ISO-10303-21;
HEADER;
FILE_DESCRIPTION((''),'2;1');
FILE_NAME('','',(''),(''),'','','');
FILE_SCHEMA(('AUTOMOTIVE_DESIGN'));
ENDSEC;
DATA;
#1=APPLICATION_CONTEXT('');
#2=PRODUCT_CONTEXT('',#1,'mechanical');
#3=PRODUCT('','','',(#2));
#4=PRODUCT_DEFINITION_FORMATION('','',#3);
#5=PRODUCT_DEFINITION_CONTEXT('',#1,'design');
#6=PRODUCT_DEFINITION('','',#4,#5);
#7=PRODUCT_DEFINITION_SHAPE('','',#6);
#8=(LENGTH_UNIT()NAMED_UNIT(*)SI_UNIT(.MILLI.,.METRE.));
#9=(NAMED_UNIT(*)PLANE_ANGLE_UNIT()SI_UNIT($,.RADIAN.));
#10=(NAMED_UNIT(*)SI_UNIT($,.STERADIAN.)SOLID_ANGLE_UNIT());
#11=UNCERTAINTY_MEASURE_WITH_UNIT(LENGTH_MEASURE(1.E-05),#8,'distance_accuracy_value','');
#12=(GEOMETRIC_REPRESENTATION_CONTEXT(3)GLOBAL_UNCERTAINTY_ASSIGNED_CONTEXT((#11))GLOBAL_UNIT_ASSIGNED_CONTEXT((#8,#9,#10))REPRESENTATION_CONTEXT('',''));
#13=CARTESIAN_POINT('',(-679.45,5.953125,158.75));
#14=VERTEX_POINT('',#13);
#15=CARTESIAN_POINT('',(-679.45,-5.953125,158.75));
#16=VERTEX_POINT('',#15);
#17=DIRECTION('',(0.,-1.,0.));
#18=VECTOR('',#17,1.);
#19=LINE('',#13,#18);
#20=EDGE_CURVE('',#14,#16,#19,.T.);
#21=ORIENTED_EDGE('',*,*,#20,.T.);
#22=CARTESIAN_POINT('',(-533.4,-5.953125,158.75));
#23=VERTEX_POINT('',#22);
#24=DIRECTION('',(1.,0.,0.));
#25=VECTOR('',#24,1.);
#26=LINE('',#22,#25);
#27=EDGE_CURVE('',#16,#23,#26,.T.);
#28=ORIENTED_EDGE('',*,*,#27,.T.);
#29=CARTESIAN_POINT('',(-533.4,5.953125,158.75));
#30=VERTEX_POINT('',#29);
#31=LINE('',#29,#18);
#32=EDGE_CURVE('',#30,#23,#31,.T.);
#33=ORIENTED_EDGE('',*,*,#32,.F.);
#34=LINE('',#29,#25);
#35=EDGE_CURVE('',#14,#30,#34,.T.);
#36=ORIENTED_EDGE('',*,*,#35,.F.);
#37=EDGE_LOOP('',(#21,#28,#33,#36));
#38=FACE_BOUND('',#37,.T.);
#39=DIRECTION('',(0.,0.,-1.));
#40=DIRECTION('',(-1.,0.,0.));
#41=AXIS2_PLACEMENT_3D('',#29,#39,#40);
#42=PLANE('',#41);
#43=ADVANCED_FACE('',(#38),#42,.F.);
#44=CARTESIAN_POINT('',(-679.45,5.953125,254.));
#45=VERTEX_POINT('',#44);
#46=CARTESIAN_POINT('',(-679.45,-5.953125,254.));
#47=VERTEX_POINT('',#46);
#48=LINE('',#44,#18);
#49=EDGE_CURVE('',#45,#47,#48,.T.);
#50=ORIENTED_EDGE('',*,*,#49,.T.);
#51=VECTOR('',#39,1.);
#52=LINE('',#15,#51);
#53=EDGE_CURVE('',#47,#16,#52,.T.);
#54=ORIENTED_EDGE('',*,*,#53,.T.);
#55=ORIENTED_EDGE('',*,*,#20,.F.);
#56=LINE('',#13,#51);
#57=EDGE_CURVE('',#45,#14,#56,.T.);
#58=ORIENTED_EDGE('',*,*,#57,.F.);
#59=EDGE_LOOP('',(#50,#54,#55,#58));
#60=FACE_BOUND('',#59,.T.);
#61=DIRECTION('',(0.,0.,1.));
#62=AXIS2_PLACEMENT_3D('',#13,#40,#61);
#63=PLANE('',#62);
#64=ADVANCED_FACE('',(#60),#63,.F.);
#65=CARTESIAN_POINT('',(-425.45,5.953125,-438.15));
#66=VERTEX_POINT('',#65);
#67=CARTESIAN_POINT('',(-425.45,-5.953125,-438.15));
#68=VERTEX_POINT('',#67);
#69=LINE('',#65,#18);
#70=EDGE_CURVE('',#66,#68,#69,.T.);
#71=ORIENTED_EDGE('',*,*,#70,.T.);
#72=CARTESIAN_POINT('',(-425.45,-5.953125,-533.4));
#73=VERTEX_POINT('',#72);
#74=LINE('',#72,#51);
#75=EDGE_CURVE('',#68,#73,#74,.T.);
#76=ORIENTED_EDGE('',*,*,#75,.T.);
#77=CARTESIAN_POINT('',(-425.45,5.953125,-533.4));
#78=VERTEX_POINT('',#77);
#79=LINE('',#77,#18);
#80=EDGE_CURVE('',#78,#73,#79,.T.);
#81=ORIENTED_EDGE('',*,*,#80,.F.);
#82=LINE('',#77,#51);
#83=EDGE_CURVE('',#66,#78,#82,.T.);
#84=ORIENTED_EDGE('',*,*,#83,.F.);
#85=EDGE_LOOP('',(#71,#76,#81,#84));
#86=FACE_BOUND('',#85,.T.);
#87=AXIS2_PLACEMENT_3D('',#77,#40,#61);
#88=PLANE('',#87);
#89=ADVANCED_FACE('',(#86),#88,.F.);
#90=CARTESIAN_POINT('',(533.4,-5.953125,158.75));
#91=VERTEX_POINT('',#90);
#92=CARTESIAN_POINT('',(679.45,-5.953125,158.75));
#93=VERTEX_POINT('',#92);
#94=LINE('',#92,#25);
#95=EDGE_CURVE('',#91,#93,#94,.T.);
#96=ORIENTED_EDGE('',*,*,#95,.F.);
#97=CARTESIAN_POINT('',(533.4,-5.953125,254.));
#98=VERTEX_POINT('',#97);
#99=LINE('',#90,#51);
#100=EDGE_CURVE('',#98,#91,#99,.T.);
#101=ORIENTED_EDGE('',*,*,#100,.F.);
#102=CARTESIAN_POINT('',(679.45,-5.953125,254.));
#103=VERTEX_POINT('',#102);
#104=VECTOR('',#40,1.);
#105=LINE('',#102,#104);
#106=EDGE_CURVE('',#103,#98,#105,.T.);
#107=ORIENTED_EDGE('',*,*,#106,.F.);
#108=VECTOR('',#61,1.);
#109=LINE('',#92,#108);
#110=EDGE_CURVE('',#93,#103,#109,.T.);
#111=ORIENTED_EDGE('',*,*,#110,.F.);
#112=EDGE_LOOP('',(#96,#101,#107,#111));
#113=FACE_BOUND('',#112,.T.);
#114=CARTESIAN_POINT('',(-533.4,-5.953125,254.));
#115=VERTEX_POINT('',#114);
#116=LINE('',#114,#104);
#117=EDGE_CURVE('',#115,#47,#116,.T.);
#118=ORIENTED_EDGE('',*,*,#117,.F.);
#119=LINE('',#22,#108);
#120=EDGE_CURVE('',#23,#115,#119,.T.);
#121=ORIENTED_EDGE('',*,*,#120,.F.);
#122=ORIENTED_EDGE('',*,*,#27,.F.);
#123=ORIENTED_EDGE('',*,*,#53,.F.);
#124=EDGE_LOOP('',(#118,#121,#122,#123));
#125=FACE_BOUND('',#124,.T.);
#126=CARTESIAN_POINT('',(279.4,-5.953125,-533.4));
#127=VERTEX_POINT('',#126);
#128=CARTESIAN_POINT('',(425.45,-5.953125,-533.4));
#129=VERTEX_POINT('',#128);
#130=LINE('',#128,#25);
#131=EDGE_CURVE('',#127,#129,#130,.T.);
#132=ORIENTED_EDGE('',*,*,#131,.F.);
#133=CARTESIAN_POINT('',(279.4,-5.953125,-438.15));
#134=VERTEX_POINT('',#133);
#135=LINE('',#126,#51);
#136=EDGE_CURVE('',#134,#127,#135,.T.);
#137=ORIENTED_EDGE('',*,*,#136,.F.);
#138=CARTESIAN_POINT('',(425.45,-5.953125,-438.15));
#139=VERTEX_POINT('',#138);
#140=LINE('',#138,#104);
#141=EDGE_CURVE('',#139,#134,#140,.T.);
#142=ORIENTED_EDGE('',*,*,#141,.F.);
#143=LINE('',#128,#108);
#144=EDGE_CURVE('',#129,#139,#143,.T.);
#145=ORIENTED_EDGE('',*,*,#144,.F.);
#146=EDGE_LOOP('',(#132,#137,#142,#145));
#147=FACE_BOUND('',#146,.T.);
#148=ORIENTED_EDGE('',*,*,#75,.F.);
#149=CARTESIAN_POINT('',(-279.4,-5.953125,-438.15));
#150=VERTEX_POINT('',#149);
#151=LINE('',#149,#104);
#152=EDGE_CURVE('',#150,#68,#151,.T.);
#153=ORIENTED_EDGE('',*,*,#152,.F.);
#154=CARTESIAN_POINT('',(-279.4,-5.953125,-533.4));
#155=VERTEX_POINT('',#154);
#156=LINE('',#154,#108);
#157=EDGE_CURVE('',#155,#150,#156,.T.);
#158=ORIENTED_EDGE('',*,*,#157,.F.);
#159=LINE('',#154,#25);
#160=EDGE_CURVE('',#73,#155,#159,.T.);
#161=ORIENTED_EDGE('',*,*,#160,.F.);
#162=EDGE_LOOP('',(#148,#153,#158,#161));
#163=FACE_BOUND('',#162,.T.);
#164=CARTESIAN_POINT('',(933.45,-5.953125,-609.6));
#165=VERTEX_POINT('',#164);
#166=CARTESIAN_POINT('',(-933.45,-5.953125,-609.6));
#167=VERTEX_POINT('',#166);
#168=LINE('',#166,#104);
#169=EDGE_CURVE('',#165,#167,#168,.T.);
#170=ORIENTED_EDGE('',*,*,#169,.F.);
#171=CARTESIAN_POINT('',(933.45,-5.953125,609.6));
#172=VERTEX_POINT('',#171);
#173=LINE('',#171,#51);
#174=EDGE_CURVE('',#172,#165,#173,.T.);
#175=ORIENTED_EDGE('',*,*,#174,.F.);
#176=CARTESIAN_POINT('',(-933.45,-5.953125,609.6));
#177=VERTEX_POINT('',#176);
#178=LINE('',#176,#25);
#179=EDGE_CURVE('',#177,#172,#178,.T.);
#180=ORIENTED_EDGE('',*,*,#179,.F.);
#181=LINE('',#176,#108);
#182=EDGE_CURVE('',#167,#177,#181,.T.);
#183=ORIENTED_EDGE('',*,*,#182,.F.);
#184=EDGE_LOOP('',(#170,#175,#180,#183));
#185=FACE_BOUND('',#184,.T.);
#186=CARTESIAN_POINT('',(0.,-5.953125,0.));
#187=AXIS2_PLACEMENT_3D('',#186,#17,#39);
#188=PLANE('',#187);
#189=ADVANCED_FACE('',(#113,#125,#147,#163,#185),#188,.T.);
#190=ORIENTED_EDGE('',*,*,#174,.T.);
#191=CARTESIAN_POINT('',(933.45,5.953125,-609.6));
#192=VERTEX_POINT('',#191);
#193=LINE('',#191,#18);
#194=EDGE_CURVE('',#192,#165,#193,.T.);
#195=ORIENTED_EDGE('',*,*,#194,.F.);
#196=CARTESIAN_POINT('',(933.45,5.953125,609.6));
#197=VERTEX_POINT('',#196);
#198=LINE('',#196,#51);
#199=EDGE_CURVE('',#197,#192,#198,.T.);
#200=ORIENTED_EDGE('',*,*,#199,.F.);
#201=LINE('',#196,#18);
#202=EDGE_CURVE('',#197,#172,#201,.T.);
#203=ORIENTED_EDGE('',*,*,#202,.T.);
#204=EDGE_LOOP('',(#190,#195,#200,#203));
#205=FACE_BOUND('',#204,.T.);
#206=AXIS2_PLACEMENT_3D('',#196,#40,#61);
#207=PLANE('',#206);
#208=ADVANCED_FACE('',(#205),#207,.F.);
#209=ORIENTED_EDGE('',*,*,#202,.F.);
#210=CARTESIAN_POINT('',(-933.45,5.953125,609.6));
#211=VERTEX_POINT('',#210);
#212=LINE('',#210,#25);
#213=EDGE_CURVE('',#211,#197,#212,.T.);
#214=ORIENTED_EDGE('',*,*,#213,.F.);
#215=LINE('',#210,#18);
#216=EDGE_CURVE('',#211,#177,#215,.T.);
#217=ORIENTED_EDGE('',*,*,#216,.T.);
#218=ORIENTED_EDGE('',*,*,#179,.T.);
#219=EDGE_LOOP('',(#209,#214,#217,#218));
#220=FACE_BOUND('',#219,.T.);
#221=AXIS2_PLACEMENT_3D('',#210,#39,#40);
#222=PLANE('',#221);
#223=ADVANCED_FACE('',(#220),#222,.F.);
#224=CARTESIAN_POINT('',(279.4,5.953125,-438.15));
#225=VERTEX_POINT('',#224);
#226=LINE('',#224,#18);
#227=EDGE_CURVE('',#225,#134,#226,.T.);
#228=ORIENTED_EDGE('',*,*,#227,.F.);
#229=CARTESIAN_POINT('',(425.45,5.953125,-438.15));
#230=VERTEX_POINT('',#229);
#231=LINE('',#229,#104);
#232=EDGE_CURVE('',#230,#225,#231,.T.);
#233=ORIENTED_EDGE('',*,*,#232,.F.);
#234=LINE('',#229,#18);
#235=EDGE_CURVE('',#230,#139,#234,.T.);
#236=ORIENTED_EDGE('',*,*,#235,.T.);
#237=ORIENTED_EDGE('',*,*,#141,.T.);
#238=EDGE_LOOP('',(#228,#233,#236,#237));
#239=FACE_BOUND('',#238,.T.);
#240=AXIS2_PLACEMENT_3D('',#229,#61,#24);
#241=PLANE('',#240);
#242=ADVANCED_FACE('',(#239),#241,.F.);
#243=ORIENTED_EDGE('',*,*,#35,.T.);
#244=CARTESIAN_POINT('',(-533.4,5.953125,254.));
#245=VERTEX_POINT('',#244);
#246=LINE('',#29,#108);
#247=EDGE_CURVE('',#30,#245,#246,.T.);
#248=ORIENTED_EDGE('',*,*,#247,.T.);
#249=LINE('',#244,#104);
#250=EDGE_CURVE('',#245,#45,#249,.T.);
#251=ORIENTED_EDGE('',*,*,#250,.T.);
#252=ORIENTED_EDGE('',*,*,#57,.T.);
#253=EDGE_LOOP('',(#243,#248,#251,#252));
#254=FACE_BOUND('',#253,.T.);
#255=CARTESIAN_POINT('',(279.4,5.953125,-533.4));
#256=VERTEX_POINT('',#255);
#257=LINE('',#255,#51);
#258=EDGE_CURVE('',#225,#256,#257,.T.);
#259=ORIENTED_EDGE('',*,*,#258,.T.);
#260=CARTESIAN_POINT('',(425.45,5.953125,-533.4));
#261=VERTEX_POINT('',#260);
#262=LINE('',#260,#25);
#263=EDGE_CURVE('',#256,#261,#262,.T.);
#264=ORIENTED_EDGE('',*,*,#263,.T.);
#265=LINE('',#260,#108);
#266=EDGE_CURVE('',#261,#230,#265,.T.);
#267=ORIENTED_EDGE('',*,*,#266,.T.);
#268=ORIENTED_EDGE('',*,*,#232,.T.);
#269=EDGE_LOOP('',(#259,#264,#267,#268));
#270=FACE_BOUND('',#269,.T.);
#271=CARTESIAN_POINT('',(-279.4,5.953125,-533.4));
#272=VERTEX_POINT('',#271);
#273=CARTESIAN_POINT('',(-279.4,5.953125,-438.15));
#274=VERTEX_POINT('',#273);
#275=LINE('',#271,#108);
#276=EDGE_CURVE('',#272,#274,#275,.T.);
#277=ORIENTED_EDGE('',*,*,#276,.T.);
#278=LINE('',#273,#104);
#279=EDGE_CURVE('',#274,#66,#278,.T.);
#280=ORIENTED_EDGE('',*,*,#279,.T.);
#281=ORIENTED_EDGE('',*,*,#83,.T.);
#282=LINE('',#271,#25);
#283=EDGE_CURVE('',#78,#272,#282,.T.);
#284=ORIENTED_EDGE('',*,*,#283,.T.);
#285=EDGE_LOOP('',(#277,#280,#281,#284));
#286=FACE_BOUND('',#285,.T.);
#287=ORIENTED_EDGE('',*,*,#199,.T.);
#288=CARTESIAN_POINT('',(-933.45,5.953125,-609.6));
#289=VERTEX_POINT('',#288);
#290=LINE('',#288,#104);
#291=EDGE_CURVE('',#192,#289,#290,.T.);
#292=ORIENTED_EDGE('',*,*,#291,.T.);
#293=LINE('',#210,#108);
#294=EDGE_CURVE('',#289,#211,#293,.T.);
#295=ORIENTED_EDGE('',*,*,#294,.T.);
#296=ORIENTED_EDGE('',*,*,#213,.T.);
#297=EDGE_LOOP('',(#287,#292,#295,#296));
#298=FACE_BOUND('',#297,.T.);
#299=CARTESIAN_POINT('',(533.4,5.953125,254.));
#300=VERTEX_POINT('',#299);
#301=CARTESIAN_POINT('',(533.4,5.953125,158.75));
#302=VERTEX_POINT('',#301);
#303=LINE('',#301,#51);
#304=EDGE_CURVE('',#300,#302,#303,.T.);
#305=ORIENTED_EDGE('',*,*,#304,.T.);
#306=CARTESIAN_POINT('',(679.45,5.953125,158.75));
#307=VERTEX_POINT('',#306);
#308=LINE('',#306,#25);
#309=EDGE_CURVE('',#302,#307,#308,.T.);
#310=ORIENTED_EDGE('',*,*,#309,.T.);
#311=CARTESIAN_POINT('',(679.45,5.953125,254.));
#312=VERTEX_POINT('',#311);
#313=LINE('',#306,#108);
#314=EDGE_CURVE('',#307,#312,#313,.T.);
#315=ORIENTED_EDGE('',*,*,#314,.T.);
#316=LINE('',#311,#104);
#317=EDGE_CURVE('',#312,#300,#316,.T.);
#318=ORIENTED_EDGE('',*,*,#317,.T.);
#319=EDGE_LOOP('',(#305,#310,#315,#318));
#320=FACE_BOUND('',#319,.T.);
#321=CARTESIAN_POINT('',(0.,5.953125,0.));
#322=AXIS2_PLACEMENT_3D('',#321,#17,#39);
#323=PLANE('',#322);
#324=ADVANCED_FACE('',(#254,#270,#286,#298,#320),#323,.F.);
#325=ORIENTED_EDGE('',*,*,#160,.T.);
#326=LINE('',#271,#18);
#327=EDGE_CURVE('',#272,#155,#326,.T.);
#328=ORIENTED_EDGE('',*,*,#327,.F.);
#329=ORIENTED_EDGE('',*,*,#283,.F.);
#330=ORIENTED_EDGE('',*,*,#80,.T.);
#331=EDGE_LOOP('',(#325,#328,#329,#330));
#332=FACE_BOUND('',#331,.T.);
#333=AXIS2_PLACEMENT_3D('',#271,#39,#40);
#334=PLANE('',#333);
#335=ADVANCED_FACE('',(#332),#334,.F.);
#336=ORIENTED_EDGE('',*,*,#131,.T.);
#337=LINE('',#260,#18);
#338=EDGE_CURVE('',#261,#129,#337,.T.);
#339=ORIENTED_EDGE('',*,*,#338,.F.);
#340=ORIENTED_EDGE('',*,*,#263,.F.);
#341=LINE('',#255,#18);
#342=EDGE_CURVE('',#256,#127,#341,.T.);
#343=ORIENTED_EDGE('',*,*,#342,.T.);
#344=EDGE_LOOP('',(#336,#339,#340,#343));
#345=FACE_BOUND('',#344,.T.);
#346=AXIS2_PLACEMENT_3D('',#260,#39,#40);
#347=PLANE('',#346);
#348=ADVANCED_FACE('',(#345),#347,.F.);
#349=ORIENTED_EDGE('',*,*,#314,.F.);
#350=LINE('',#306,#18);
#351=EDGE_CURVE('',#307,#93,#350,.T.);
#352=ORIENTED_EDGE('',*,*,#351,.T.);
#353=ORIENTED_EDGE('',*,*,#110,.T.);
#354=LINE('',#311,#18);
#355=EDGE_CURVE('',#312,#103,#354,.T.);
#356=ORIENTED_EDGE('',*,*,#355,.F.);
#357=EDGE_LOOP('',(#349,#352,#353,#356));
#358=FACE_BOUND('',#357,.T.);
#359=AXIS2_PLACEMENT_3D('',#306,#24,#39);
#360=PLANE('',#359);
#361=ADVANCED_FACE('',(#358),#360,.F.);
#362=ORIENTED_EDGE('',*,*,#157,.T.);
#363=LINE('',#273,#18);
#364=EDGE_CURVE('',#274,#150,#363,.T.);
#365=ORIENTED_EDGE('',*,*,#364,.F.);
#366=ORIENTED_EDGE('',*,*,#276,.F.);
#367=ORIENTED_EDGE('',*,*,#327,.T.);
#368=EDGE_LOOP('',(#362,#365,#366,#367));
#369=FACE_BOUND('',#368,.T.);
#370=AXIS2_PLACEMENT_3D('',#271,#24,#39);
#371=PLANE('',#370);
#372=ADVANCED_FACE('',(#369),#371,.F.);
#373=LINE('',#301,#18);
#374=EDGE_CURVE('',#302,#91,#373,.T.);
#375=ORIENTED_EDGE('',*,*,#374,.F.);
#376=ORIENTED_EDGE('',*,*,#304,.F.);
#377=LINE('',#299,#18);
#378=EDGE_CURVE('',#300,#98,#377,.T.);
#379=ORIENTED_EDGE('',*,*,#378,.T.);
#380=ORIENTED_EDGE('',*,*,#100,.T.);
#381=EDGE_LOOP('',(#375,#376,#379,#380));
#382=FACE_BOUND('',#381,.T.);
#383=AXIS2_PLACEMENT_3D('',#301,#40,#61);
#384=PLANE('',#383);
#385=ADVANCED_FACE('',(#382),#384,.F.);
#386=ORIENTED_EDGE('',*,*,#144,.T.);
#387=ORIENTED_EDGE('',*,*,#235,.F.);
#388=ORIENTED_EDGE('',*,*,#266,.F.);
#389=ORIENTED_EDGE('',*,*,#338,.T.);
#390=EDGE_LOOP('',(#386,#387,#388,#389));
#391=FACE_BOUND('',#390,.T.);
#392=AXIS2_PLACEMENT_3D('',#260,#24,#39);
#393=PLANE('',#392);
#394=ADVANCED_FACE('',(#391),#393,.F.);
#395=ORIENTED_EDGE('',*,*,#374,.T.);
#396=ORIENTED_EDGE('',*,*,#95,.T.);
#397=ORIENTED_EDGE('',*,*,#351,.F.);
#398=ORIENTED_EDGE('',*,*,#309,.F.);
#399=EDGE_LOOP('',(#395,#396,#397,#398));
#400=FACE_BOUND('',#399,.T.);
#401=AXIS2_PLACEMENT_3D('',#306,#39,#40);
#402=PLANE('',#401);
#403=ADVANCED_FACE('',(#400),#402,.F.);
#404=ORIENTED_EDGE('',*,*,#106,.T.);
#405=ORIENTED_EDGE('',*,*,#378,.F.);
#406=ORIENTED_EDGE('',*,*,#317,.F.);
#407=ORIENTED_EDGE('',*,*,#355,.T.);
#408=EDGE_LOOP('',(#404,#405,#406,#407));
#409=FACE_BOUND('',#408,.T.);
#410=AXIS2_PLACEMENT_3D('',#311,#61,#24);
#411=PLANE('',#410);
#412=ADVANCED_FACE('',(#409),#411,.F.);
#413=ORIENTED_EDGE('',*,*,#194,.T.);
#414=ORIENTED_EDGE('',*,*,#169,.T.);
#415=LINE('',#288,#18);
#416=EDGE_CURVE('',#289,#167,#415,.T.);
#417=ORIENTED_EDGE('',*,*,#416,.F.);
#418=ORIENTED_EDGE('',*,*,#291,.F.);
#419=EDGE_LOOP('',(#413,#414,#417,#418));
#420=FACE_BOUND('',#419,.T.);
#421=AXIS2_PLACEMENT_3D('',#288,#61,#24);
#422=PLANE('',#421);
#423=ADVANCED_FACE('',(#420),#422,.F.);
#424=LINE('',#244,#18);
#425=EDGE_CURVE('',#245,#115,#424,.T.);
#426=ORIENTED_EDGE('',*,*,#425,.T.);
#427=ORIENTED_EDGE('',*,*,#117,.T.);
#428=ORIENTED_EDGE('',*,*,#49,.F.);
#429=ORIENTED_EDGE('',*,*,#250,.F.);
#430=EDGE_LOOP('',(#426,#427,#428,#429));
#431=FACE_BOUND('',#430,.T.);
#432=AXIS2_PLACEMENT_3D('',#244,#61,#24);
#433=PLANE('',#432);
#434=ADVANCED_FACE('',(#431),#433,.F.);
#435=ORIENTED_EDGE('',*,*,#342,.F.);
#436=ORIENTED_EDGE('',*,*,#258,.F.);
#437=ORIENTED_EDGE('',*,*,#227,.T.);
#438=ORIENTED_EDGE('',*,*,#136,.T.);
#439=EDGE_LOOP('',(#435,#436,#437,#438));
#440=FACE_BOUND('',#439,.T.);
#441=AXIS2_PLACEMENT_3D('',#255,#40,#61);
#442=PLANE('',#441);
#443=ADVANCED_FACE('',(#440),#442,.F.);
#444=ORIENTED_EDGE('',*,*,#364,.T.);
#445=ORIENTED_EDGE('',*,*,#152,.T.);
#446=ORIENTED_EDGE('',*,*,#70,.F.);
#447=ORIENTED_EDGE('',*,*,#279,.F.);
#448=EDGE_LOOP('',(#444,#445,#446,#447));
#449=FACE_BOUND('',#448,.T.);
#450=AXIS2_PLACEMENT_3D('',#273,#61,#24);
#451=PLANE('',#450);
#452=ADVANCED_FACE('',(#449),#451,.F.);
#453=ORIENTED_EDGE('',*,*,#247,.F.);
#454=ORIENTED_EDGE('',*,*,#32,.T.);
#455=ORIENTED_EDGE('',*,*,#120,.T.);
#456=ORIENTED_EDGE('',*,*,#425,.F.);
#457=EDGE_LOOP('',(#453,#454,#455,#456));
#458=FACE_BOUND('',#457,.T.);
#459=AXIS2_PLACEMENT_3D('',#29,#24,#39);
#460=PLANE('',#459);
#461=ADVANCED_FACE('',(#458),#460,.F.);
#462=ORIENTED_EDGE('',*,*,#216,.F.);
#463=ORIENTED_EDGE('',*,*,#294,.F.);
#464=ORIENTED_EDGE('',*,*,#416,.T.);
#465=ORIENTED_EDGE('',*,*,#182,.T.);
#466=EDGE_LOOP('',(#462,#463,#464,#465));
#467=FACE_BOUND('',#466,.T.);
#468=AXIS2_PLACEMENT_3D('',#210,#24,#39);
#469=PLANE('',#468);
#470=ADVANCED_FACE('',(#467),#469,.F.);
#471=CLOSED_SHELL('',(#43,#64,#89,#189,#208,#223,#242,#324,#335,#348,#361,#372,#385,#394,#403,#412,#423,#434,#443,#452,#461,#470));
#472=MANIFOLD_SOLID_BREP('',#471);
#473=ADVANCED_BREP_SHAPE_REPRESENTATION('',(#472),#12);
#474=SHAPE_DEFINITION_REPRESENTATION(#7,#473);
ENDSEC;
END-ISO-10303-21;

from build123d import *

# Parameters (mm, degrees)
SKETCH1_W           = 1866.9
SKETCH1_H           = 1219.2
BOSS_EXTRUDE1_DEPTH = 5.953125
SKETCH4_W           = 146.05
SKETCH4_H           = 95.25
CUT_EXTRUDE3_DEPTH  = 12.90625


with BuildPart() as part:
    # Sketch1 → Boss-Extrude1 (new body, symmetric)
    with BuildSketch(Plane(origin=(0, 0, 0), x_dir=(1, 0, 0), z_dir=(0, 1, 0))):
        Rectangle(SKETCH1_W, SKETCH1_H)
    extrude(amount=BOSS_EXTRUDE1_DEPTH, both=True)

    # Sketch4 → Cut-Extrude3 (cut, through all)
    with BuildSketch(Plane.XZ.offset(5.953125)):
        with Locations((352.425, -485.775)):
            Rectangle(SKETCH4_W, SKETCH4_H)
        with Locations((-352.425, -485.775)):
            Rectangle(SKETCH4_W, SKETCH4_H)
        with Locations((-606.425, 206.375)):
            Rectangle(SKETCH4_W, SKETCH4_H)
        with Locations((606.425, 206.375)):
            Rectangle(SKETCH4_W, SKETCH4_H)
    extrude(amount=-CUT_EXTRUDE3_DEPTH, mode=Mode.SUBTRACT)


solid = part.part
